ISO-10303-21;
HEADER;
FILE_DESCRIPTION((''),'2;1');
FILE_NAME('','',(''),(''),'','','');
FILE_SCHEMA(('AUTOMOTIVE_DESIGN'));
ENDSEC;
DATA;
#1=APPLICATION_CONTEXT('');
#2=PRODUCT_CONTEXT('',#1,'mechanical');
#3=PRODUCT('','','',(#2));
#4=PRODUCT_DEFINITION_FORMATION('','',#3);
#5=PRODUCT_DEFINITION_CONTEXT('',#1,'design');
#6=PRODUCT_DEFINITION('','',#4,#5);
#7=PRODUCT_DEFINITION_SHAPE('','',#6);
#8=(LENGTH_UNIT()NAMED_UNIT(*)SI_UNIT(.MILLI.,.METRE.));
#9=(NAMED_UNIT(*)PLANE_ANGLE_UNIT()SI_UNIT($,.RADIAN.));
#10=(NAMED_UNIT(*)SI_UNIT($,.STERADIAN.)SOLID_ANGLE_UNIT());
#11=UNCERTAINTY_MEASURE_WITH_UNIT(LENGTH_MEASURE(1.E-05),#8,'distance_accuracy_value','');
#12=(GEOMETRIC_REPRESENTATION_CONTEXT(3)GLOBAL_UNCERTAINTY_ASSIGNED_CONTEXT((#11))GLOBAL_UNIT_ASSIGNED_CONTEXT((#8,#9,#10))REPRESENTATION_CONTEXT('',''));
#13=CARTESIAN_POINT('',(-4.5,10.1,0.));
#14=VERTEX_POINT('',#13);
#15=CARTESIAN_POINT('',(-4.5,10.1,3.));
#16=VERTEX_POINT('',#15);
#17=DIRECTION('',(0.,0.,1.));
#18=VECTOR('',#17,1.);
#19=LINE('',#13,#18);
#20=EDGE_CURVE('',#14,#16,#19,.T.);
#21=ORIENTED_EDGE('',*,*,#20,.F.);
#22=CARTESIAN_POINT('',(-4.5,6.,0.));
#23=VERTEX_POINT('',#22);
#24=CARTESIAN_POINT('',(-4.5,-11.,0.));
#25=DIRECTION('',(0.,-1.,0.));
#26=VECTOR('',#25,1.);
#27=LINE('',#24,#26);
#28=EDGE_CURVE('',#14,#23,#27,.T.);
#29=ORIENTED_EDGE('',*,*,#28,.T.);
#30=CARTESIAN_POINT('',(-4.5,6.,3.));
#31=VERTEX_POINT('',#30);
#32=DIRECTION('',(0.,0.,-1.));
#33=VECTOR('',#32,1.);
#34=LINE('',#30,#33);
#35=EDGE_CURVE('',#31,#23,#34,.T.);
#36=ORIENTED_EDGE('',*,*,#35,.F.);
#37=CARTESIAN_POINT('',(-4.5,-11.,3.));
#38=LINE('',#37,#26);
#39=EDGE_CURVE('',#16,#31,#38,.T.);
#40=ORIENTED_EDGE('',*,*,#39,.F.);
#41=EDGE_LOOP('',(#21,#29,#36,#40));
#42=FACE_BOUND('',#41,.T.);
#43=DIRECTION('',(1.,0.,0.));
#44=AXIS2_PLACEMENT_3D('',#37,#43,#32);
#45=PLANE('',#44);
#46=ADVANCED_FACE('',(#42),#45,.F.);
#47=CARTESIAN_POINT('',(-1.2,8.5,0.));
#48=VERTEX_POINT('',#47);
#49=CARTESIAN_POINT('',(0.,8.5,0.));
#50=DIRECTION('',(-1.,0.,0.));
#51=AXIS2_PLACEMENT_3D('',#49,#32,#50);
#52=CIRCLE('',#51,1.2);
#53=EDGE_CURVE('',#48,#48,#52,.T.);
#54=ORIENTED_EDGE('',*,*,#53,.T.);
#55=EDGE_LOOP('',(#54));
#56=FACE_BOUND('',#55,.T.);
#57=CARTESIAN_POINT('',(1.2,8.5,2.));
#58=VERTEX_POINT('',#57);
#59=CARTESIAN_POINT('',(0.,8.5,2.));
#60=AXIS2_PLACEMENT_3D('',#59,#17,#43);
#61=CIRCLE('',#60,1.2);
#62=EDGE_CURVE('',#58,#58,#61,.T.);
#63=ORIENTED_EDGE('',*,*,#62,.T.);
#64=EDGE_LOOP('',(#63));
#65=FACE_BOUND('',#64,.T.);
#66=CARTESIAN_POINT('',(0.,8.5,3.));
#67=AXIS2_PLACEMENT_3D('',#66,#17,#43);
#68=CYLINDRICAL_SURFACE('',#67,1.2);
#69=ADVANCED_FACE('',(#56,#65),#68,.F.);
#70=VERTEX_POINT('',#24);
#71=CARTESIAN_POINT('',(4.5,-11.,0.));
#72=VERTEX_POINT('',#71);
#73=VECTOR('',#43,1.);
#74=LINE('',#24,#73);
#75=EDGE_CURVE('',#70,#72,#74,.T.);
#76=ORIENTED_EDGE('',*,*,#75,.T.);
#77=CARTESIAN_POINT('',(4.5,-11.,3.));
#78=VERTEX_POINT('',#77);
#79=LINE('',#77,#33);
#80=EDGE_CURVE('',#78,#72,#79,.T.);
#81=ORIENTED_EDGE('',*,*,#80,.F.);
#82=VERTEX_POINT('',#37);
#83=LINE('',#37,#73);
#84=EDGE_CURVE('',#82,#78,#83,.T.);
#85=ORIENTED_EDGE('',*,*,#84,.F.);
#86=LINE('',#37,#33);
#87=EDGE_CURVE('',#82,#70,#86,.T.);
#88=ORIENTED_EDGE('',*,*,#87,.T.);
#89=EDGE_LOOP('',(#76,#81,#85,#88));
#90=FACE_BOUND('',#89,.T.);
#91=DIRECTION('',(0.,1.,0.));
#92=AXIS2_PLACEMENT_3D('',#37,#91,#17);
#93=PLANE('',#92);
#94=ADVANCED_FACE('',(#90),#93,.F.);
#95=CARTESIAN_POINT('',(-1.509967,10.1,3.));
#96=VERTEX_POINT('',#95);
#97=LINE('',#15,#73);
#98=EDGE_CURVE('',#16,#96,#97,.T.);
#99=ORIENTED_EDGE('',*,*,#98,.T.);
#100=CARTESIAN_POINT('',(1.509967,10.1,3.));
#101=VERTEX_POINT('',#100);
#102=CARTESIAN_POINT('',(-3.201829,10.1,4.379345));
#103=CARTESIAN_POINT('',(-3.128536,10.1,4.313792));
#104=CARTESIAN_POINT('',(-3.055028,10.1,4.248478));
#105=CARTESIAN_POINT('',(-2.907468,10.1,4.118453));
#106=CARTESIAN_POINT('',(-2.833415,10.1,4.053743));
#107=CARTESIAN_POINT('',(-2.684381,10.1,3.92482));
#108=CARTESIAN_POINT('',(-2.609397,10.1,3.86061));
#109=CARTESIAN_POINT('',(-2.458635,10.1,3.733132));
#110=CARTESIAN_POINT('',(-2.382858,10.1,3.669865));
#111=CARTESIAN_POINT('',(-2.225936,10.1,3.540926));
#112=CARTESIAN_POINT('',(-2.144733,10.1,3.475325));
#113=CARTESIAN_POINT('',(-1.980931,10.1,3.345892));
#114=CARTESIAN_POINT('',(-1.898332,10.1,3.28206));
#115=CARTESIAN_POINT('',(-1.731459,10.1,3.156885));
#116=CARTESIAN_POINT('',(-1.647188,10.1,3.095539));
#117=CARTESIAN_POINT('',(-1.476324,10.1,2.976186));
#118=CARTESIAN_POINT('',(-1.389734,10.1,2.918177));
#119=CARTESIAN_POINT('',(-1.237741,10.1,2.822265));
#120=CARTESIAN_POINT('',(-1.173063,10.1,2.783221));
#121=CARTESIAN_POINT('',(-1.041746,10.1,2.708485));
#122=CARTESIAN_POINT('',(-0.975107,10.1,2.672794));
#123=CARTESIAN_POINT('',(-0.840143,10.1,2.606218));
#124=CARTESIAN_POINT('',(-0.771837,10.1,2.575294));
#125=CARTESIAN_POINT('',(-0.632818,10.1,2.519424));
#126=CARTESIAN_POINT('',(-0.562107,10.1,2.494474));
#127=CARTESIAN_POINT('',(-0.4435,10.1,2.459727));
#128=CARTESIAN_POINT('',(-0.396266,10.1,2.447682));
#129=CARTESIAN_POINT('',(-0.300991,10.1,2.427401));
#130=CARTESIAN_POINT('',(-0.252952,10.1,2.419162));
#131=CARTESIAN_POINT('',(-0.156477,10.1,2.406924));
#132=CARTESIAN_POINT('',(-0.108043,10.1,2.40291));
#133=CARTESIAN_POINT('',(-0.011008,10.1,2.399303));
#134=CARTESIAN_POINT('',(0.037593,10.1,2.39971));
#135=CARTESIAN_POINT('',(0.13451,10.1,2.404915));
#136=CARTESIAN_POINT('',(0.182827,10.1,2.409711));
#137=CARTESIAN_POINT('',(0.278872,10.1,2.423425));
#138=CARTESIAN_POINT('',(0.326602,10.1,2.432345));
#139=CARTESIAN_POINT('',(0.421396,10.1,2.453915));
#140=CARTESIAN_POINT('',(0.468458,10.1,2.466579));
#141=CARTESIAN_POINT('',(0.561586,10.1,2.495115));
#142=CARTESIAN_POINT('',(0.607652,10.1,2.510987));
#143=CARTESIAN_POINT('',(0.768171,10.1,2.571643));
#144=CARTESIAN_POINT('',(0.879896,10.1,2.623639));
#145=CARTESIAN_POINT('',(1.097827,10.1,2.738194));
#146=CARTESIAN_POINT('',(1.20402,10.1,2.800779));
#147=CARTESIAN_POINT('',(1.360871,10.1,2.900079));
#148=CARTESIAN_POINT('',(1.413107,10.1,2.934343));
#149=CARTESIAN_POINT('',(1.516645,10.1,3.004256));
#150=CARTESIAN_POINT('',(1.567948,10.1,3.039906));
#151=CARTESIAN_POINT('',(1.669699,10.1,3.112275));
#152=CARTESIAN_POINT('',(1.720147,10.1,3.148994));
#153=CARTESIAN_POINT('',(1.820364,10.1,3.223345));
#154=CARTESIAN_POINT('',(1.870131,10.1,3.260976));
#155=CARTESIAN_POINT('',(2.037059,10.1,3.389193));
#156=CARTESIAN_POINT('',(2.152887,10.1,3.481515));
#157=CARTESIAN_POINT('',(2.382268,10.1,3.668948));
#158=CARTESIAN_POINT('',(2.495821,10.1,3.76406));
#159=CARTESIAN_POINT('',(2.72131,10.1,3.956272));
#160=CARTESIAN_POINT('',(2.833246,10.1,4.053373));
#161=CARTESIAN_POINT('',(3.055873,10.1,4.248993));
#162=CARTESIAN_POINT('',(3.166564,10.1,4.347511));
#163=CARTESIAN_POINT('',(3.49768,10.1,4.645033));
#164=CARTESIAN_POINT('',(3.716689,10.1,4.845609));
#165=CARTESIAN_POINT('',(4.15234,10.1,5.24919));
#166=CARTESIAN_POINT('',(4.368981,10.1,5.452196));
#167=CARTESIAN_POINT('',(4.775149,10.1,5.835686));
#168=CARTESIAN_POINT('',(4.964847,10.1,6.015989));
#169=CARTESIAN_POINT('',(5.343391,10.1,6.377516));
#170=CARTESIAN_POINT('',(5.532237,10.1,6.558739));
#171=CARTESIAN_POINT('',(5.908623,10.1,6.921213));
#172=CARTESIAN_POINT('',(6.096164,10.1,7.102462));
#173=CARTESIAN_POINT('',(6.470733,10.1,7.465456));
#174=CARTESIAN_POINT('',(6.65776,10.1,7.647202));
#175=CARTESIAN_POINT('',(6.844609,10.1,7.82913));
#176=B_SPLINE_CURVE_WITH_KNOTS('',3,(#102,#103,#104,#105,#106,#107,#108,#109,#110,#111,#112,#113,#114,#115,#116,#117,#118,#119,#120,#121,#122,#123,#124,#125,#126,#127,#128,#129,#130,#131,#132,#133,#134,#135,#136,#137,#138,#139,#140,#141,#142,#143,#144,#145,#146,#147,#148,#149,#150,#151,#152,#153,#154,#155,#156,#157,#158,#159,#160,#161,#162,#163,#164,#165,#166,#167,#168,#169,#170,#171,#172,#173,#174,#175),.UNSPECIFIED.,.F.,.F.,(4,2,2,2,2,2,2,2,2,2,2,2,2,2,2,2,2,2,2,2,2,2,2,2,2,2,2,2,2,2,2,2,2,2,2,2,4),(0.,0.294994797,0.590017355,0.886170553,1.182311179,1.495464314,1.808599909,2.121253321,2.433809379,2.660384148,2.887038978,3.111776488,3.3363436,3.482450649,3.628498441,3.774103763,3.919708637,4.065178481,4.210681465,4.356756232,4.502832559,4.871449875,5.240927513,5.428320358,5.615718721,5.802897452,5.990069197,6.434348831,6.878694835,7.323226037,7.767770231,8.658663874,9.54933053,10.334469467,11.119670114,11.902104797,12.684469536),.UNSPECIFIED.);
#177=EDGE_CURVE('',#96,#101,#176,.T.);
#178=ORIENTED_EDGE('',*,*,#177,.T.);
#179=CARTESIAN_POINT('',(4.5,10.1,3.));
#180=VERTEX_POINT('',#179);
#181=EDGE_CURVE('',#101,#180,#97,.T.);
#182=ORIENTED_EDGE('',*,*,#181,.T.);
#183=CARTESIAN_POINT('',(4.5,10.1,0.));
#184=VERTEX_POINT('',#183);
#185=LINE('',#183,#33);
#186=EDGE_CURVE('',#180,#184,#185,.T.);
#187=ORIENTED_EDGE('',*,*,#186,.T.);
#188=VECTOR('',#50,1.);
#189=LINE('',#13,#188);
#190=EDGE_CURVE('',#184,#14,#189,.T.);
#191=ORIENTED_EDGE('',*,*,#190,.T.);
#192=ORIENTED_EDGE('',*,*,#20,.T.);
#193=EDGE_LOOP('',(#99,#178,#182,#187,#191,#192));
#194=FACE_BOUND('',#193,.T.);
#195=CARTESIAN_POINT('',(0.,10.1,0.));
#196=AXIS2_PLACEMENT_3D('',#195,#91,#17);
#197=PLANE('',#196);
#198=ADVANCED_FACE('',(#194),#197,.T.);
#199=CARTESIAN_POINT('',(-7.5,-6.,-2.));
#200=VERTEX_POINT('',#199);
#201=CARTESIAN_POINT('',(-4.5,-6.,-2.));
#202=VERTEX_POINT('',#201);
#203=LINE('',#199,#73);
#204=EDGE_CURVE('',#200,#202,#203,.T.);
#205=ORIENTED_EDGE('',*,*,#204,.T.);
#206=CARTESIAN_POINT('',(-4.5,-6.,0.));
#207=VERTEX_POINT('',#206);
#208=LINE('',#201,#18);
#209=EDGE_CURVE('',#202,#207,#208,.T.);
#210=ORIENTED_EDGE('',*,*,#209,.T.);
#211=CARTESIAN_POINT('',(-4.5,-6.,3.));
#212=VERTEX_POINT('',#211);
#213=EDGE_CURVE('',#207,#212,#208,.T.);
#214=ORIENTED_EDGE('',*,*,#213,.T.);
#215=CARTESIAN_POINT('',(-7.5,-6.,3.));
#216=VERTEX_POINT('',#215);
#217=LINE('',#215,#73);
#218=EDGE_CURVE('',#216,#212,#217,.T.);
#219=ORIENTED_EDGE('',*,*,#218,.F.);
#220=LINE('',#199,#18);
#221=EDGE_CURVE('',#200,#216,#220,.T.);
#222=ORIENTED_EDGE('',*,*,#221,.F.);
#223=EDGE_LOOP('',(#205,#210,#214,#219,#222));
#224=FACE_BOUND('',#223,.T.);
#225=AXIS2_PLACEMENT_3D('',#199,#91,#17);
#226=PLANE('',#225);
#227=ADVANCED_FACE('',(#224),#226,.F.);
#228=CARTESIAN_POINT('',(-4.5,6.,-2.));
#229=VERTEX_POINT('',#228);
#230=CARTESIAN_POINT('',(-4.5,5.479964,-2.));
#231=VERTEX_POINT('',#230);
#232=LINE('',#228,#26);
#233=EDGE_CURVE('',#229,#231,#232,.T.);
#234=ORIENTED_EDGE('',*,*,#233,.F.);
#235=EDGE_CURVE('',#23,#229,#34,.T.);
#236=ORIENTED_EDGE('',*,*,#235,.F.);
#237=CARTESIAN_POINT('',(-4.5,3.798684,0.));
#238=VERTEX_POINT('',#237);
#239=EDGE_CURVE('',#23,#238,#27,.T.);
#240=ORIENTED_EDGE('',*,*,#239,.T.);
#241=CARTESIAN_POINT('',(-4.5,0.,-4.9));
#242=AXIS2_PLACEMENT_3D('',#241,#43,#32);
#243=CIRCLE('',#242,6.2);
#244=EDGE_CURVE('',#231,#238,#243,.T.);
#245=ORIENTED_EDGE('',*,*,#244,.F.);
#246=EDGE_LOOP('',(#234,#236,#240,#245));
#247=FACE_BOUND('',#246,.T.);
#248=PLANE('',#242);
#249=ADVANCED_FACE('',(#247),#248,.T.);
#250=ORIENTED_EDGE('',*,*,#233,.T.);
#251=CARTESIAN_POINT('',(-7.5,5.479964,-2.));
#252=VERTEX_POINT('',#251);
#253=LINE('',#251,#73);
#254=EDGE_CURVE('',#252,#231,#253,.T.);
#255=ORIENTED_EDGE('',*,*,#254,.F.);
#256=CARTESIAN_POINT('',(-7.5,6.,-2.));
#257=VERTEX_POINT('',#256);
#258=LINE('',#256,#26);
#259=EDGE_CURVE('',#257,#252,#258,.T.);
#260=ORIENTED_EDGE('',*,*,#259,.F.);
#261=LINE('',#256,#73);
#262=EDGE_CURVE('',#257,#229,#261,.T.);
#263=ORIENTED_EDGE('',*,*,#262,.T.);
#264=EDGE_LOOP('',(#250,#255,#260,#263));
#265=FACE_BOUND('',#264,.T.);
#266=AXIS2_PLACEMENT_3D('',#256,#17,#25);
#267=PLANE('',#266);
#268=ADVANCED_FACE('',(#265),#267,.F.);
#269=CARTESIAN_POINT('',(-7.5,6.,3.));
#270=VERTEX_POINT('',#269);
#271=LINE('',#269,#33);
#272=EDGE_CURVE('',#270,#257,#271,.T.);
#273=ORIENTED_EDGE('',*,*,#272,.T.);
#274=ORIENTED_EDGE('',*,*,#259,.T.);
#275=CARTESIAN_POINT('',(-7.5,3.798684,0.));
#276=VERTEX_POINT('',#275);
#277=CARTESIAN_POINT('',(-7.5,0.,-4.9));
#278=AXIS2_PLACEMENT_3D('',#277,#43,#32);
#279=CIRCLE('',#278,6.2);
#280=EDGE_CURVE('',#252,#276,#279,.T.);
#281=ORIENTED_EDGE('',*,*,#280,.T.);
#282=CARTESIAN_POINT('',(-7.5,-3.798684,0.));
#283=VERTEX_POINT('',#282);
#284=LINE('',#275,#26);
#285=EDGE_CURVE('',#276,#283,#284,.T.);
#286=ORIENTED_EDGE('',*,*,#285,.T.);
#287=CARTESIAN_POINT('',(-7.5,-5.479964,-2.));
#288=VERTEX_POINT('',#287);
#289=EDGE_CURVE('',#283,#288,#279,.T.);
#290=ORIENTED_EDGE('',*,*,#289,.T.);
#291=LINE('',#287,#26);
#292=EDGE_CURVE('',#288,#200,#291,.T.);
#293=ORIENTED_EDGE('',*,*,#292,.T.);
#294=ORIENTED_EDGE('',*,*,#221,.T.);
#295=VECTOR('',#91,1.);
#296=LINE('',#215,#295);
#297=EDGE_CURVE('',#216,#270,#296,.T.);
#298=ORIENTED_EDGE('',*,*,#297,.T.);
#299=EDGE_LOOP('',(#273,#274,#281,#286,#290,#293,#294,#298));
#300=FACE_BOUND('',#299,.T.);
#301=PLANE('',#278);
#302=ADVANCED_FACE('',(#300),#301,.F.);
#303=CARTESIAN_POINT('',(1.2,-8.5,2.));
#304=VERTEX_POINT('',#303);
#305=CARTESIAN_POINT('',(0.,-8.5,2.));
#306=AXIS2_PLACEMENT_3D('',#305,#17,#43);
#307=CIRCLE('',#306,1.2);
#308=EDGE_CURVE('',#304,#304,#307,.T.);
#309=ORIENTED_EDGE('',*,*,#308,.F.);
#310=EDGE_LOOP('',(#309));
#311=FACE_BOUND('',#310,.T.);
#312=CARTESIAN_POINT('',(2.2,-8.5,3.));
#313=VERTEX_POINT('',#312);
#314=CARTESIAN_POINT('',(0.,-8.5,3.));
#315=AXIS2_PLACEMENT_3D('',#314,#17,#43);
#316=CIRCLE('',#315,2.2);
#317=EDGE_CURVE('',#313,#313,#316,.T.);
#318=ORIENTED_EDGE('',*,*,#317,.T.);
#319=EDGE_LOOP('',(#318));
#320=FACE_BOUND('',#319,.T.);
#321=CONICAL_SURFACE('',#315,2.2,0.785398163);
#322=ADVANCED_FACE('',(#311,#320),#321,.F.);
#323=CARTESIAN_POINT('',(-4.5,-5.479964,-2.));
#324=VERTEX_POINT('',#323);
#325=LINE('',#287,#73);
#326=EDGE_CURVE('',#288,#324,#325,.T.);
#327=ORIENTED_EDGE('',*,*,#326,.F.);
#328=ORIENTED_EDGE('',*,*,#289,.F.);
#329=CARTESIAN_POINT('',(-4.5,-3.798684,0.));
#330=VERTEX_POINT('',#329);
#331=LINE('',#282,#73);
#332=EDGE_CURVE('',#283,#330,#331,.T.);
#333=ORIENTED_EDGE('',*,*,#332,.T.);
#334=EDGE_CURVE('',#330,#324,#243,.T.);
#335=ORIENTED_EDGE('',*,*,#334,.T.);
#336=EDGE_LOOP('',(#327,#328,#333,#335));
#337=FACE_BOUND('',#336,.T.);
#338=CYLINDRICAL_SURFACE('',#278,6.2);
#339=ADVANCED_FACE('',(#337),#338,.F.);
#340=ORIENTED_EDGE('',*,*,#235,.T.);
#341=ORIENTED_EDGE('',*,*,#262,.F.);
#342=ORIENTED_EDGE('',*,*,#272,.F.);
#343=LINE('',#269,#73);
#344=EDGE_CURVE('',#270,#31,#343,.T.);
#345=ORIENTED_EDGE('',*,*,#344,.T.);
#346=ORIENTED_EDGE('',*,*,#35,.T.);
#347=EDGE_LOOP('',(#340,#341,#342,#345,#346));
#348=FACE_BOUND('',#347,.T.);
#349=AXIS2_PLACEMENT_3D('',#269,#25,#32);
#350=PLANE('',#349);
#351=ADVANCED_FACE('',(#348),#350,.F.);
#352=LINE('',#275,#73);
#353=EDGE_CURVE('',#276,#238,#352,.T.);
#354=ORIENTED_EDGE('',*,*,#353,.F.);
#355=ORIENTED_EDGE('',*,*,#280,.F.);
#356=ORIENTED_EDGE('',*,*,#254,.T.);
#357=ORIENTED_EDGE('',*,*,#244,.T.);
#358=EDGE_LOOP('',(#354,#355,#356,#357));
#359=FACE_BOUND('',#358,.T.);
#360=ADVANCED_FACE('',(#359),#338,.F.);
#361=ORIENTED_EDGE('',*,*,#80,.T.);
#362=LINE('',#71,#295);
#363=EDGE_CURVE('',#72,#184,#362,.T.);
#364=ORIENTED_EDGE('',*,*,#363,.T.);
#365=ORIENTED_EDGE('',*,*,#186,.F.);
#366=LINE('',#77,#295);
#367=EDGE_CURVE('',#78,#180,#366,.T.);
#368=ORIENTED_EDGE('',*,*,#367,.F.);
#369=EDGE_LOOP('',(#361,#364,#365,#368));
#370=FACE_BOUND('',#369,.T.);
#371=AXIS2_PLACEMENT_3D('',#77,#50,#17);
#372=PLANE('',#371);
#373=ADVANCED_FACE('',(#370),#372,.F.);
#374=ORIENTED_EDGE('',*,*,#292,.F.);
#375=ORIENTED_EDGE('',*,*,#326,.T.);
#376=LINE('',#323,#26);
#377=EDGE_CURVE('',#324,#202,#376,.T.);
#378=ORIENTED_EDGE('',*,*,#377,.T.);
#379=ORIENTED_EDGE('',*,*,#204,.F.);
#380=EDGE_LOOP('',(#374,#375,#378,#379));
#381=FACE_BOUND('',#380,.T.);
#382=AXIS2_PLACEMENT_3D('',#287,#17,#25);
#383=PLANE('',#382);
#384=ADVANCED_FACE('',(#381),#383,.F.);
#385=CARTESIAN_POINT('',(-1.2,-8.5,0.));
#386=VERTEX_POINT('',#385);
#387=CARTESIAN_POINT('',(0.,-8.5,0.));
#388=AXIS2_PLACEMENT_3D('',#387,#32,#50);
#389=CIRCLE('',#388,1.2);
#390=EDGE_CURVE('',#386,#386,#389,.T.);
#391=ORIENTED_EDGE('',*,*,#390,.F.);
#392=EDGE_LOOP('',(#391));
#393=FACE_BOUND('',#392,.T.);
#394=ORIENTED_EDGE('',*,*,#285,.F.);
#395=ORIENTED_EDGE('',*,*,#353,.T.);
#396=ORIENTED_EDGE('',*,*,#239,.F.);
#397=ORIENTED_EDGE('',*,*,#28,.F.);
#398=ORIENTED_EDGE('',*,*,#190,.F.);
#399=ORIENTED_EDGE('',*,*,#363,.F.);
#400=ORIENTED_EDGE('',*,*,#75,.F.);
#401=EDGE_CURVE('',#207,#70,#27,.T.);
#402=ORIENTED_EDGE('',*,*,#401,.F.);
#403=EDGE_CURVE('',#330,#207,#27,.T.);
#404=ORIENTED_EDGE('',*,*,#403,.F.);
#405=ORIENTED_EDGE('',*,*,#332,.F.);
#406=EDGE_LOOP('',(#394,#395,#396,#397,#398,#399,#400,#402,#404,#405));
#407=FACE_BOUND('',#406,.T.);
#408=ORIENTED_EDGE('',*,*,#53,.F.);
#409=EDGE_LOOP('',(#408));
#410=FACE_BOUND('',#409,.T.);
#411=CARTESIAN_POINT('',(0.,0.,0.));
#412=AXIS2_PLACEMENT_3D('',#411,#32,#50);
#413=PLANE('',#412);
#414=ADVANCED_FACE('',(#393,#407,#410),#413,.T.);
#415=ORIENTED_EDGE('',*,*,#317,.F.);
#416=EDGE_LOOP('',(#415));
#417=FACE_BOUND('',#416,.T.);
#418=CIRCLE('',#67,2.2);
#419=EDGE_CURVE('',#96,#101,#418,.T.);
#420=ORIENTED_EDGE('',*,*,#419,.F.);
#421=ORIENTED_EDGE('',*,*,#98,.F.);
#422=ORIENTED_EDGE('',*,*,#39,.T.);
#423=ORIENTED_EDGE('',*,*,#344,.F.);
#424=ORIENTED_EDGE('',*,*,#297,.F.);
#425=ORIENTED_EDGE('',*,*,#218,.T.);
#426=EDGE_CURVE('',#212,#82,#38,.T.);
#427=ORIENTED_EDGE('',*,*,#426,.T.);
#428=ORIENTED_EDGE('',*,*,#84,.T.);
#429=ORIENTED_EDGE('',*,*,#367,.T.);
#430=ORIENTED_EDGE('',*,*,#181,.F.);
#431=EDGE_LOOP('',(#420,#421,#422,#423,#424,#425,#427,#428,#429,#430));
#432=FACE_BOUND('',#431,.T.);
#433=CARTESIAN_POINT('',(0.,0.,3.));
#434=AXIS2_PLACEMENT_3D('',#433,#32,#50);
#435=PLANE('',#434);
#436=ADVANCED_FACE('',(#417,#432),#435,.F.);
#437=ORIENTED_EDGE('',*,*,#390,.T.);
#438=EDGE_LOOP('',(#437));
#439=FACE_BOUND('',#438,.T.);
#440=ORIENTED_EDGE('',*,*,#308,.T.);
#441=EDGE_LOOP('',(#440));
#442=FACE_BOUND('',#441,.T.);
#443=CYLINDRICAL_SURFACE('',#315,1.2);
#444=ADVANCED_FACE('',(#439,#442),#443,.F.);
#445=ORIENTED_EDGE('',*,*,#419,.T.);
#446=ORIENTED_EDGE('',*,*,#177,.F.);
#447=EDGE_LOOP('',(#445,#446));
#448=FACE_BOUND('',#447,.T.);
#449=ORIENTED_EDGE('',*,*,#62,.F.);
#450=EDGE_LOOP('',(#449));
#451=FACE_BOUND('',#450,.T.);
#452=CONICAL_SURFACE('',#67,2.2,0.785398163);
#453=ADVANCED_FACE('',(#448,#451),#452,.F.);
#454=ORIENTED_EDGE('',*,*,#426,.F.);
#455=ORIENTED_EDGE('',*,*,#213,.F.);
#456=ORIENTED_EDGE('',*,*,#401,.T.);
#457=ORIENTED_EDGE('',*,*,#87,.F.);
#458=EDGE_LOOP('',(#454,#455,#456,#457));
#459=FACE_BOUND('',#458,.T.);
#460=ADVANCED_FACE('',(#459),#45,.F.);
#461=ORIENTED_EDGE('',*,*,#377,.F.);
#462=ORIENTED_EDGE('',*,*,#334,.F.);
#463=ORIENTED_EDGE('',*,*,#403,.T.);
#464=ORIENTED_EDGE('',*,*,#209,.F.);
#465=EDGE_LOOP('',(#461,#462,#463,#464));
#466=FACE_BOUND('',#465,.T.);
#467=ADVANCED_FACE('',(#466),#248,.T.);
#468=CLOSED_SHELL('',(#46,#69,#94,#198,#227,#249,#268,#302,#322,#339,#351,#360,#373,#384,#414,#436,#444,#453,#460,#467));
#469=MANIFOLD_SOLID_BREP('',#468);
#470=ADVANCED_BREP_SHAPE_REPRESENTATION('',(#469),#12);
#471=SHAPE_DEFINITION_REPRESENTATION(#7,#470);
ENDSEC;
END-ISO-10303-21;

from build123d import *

# Parameters (mm, degrees)
SKETCH1_W                                       = 9
SKETCH1_H                                       = 22
BOSS_EXTRUDE1_DEPTH                             = 3
CSK_FOR_M2_FLAT_HEAD_MACHINE_SCREW1_D           = 2.4
CSK_FOR_M2_FLAT_HEAD_MACHINE_SCREW1_DEPTH       = 10
CSK_FOR_M2_FLAT_HEAD_MACHINE_SCREW1_CSINK_D     = 4.4
CSK_FOR_M2_FLAT_HEAD_MACHINE_SCREW1_CSINK_ANGLE = 90
CSK_FOR_M2_FLAT_HEAD_MACHINE_SCREW1_TIP         = 0.721032743
BOSS_EXTRUDE2_DEPTH                             = 3
SKETCH5_W                                       = 9
SKETCH5_H                                       = 3
CUT_EXTRUDE1_DEPTH                              = 0.9


with BuildPart() as part:
    # Sketch1 → Boss-Extrude1 (new body)
    with BuildSketch(Plane.XY):
        Rectangle(SKETCH1_W, SKETCH1_H)
    extrude(amount=BOSS_EXTRUDE1_DEPTH)

    # CSK for M2 Flat Head Machine Screw1
    with Locations(Plane.XY.offset(3)):
        with Locations((0, 8.5), (0, -8.5)):
            CounterSinkHole(CSK_FOR_M2_FLAT_HEAD_MACHINE_SCREW1_D / 2, CSK_FOR_M2_FLAT_HEAD_MACHINE_SCREW1_CSINK_D / 2, depth=CSK_FOR_M2_FLAT_HEAD_MACHINE_SCREW1_DEPTH, counter_sink_angle=CSK_FOR_M2_FLAT_HEAD_MACHINE_SCREW1_CSINK_ANGLE)
            with Locations((0, 0, -(CSK_FOR_M2_FLAT_HEAD_MACHINE_SCREW1_DEPTH + CSK_FOR_M2_FLAT_HEAD_MACHINE_SCREW1_TIP / 2))):  # 118° drill point
                Cone(0, CSK_FOR_M2_FLAT_HEAD_MACHINE_SCREW1_D / 2, CSK_FOR_M2_FLAT_HEAD_MACHINE_SCREW1_TIP, mode=Mode.SUBTRACT)

    # Sketch4 → Boss-Extrude2 (add)
    with BuildSketch(Plane.ZY.offset(4.5)):
        with BuildLine():
            Line((3, 6), (-2, 6))
            Line((-2, 6), (-2, 5.479963504))
            ThreePointArc((-2, 5.479963504), (-0.910429195, 4.745874502), (0, 3.798683983))
            Line((0, 3.798683983), (0, -3.798683983))
            ThreePointArc((0, -3.798683983), (-0.910429195, -4.745874502), (-2, -5.479963504))
            Line((-2, -5.479963504), (-2, -6))
            Line((-2, -6), (3, -6))
            Line((3, -6), (3, 6))
        make_face()
    extrude(amount=BOSS_EXTRUDE2_DEPTH)

    # Sketch5 → Cut-Extrude1 (cut)
    with BuildSketch(Plane(origin=(0, 11, 0), x_dir=(1, 0, 0), z_dir=(0, 1, 0))):
        with Locations((0, -1.5)):
            Rectangle(SKETCH5_W, SKETCH5_H)
    extrude(amount=-CUT_EXTRUDE1_DEPTH, mode=Mode.SUBTRACT)


solid = part.part
